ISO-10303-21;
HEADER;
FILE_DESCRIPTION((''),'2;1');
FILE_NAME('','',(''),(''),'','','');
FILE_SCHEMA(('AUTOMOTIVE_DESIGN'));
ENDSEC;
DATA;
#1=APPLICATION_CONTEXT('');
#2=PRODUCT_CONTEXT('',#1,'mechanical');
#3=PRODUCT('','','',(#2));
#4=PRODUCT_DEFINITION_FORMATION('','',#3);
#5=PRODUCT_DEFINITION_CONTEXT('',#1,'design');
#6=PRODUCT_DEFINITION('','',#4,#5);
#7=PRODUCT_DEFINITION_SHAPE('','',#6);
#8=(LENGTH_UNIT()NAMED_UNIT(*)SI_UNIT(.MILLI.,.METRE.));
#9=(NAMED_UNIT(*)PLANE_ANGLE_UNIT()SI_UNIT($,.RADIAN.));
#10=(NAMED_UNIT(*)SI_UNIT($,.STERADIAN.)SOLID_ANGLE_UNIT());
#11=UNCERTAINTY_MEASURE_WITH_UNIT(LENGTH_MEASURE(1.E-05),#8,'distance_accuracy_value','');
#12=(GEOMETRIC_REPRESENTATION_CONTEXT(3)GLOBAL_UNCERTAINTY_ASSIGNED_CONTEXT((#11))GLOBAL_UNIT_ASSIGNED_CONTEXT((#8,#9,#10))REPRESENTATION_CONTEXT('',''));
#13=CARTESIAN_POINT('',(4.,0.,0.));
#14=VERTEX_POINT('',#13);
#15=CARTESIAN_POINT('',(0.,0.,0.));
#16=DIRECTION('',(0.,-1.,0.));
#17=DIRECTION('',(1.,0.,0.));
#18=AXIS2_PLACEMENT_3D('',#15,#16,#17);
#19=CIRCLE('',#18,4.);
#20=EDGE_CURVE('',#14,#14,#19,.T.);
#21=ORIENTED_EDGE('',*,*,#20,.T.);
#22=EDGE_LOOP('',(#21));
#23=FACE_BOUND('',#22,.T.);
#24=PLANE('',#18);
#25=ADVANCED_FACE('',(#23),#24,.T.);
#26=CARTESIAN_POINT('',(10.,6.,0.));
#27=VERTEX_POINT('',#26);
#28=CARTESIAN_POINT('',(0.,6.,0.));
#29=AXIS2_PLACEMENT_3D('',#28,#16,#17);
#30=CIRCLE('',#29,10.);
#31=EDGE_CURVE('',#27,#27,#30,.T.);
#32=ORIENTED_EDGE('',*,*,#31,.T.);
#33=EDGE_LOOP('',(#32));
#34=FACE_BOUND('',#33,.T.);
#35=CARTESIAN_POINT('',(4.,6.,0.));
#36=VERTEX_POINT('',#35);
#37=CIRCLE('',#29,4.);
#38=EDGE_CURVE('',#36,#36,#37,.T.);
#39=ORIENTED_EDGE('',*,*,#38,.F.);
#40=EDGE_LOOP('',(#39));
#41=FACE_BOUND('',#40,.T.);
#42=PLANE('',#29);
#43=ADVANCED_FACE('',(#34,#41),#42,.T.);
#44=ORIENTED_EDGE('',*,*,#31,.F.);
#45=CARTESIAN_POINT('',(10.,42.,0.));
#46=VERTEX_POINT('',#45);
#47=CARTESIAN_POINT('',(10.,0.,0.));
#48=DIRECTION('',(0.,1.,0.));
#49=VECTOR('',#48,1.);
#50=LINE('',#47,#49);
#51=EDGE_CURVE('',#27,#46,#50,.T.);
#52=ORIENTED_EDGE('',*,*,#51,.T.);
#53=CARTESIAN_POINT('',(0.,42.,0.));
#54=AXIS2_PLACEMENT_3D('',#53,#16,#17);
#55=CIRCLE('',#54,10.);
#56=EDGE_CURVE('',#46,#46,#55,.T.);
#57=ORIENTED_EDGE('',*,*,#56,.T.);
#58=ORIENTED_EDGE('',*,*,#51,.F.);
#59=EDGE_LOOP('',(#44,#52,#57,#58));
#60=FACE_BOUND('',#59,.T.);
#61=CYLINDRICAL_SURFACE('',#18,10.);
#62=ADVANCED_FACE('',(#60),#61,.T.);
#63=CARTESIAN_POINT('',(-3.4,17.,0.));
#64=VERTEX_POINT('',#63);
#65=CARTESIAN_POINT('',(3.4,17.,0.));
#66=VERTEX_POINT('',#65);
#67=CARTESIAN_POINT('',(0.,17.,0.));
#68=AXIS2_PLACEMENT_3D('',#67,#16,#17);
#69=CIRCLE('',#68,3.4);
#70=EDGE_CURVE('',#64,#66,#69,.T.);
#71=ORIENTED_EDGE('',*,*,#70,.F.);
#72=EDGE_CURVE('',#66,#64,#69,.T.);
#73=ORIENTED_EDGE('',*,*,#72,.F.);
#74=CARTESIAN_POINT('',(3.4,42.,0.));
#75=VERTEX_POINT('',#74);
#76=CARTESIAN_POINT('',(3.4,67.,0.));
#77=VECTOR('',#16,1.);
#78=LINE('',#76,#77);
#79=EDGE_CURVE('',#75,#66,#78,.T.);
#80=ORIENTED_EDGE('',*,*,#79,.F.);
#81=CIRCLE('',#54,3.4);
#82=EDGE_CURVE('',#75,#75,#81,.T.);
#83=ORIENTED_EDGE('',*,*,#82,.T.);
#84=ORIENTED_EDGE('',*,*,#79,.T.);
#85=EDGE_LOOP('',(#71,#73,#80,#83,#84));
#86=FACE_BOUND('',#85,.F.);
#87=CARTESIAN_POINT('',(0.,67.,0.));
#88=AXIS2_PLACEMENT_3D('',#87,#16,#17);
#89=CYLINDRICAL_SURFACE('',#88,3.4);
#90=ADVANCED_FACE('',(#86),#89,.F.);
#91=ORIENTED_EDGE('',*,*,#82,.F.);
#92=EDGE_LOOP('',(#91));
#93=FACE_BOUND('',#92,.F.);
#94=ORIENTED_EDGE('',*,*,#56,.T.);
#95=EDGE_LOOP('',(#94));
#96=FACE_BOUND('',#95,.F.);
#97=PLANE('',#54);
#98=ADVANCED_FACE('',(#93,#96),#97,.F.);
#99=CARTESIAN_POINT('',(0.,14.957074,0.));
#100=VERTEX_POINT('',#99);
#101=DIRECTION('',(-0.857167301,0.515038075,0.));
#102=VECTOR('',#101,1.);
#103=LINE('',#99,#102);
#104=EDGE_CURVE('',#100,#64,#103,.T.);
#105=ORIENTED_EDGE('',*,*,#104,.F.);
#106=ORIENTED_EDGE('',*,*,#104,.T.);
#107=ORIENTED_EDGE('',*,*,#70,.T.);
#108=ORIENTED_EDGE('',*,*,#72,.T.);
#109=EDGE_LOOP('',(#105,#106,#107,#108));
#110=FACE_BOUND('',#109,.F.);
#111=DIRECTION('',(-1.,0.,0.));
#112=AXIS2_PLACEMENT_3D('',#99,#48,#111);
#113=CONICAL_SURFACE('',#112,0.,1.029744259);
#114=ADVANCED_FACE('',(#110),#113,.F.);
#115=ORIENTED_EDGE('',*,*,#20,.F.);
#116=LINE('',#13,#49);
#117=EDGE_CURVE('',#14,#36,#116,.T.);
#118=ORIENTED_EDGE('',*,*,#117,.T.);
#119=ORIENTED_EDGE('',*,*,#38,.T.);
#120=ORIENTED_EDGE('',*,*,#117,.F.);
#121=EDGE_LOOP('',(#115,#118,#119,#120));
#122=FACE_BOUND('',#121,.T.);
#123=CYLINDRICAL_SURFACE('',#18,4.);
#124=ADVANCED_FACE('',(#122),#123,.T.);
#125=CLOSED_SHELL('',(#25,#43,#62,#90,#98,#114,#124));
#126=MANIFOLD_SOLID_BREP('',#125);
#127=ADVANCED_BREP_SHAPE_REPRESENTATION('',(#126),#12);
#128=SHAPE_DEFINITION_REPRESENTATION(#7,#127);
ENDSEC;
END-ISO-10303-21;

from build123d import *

# Parameters (mm, degrees)
F0_R     = 10
F1_DEPTH = 42
F2_R     = 16.4716554
F2_R_2   = 4
F3_DEPTH = 6
F5_D     = 6.8
F5_DEPTH = 25
F5_TIP   = 2.0429261047


with BuildPart() as f1:
    # F0 (on Front) → F1 (new body)
    with BuildSketch(Plane.XZ):
        Circle(F0_R)
    extrude(amount=-F1_DEPTH)

    # F2 (on face) → F3 (cut)
    with BuildSketch(Plane.XZ):
        Circle(F2_R)
        Circle(F2_R_2, mode=Mode.SUBTRACT)
    extrude(amount=-F3_DEPTH, mode=Mode.SUBTRACT)

    # F5
    with Locations(Plane(origin=(0, 42, 0), x_dir=(-1, 0, 0), z_dir=(0, 1, 0))):
        with Locations((0, 0)):
            Hole(F5_D / 2, depth=F5_DEPTH)
            with Locations((0, 0, -(F5_DEPTH + F5_TIP / 2))):  # 118° drill point
                Cone(0, F5_D / 2, F5_TIP, mode=Mode.SUBTRACT)


solid = f1.part
